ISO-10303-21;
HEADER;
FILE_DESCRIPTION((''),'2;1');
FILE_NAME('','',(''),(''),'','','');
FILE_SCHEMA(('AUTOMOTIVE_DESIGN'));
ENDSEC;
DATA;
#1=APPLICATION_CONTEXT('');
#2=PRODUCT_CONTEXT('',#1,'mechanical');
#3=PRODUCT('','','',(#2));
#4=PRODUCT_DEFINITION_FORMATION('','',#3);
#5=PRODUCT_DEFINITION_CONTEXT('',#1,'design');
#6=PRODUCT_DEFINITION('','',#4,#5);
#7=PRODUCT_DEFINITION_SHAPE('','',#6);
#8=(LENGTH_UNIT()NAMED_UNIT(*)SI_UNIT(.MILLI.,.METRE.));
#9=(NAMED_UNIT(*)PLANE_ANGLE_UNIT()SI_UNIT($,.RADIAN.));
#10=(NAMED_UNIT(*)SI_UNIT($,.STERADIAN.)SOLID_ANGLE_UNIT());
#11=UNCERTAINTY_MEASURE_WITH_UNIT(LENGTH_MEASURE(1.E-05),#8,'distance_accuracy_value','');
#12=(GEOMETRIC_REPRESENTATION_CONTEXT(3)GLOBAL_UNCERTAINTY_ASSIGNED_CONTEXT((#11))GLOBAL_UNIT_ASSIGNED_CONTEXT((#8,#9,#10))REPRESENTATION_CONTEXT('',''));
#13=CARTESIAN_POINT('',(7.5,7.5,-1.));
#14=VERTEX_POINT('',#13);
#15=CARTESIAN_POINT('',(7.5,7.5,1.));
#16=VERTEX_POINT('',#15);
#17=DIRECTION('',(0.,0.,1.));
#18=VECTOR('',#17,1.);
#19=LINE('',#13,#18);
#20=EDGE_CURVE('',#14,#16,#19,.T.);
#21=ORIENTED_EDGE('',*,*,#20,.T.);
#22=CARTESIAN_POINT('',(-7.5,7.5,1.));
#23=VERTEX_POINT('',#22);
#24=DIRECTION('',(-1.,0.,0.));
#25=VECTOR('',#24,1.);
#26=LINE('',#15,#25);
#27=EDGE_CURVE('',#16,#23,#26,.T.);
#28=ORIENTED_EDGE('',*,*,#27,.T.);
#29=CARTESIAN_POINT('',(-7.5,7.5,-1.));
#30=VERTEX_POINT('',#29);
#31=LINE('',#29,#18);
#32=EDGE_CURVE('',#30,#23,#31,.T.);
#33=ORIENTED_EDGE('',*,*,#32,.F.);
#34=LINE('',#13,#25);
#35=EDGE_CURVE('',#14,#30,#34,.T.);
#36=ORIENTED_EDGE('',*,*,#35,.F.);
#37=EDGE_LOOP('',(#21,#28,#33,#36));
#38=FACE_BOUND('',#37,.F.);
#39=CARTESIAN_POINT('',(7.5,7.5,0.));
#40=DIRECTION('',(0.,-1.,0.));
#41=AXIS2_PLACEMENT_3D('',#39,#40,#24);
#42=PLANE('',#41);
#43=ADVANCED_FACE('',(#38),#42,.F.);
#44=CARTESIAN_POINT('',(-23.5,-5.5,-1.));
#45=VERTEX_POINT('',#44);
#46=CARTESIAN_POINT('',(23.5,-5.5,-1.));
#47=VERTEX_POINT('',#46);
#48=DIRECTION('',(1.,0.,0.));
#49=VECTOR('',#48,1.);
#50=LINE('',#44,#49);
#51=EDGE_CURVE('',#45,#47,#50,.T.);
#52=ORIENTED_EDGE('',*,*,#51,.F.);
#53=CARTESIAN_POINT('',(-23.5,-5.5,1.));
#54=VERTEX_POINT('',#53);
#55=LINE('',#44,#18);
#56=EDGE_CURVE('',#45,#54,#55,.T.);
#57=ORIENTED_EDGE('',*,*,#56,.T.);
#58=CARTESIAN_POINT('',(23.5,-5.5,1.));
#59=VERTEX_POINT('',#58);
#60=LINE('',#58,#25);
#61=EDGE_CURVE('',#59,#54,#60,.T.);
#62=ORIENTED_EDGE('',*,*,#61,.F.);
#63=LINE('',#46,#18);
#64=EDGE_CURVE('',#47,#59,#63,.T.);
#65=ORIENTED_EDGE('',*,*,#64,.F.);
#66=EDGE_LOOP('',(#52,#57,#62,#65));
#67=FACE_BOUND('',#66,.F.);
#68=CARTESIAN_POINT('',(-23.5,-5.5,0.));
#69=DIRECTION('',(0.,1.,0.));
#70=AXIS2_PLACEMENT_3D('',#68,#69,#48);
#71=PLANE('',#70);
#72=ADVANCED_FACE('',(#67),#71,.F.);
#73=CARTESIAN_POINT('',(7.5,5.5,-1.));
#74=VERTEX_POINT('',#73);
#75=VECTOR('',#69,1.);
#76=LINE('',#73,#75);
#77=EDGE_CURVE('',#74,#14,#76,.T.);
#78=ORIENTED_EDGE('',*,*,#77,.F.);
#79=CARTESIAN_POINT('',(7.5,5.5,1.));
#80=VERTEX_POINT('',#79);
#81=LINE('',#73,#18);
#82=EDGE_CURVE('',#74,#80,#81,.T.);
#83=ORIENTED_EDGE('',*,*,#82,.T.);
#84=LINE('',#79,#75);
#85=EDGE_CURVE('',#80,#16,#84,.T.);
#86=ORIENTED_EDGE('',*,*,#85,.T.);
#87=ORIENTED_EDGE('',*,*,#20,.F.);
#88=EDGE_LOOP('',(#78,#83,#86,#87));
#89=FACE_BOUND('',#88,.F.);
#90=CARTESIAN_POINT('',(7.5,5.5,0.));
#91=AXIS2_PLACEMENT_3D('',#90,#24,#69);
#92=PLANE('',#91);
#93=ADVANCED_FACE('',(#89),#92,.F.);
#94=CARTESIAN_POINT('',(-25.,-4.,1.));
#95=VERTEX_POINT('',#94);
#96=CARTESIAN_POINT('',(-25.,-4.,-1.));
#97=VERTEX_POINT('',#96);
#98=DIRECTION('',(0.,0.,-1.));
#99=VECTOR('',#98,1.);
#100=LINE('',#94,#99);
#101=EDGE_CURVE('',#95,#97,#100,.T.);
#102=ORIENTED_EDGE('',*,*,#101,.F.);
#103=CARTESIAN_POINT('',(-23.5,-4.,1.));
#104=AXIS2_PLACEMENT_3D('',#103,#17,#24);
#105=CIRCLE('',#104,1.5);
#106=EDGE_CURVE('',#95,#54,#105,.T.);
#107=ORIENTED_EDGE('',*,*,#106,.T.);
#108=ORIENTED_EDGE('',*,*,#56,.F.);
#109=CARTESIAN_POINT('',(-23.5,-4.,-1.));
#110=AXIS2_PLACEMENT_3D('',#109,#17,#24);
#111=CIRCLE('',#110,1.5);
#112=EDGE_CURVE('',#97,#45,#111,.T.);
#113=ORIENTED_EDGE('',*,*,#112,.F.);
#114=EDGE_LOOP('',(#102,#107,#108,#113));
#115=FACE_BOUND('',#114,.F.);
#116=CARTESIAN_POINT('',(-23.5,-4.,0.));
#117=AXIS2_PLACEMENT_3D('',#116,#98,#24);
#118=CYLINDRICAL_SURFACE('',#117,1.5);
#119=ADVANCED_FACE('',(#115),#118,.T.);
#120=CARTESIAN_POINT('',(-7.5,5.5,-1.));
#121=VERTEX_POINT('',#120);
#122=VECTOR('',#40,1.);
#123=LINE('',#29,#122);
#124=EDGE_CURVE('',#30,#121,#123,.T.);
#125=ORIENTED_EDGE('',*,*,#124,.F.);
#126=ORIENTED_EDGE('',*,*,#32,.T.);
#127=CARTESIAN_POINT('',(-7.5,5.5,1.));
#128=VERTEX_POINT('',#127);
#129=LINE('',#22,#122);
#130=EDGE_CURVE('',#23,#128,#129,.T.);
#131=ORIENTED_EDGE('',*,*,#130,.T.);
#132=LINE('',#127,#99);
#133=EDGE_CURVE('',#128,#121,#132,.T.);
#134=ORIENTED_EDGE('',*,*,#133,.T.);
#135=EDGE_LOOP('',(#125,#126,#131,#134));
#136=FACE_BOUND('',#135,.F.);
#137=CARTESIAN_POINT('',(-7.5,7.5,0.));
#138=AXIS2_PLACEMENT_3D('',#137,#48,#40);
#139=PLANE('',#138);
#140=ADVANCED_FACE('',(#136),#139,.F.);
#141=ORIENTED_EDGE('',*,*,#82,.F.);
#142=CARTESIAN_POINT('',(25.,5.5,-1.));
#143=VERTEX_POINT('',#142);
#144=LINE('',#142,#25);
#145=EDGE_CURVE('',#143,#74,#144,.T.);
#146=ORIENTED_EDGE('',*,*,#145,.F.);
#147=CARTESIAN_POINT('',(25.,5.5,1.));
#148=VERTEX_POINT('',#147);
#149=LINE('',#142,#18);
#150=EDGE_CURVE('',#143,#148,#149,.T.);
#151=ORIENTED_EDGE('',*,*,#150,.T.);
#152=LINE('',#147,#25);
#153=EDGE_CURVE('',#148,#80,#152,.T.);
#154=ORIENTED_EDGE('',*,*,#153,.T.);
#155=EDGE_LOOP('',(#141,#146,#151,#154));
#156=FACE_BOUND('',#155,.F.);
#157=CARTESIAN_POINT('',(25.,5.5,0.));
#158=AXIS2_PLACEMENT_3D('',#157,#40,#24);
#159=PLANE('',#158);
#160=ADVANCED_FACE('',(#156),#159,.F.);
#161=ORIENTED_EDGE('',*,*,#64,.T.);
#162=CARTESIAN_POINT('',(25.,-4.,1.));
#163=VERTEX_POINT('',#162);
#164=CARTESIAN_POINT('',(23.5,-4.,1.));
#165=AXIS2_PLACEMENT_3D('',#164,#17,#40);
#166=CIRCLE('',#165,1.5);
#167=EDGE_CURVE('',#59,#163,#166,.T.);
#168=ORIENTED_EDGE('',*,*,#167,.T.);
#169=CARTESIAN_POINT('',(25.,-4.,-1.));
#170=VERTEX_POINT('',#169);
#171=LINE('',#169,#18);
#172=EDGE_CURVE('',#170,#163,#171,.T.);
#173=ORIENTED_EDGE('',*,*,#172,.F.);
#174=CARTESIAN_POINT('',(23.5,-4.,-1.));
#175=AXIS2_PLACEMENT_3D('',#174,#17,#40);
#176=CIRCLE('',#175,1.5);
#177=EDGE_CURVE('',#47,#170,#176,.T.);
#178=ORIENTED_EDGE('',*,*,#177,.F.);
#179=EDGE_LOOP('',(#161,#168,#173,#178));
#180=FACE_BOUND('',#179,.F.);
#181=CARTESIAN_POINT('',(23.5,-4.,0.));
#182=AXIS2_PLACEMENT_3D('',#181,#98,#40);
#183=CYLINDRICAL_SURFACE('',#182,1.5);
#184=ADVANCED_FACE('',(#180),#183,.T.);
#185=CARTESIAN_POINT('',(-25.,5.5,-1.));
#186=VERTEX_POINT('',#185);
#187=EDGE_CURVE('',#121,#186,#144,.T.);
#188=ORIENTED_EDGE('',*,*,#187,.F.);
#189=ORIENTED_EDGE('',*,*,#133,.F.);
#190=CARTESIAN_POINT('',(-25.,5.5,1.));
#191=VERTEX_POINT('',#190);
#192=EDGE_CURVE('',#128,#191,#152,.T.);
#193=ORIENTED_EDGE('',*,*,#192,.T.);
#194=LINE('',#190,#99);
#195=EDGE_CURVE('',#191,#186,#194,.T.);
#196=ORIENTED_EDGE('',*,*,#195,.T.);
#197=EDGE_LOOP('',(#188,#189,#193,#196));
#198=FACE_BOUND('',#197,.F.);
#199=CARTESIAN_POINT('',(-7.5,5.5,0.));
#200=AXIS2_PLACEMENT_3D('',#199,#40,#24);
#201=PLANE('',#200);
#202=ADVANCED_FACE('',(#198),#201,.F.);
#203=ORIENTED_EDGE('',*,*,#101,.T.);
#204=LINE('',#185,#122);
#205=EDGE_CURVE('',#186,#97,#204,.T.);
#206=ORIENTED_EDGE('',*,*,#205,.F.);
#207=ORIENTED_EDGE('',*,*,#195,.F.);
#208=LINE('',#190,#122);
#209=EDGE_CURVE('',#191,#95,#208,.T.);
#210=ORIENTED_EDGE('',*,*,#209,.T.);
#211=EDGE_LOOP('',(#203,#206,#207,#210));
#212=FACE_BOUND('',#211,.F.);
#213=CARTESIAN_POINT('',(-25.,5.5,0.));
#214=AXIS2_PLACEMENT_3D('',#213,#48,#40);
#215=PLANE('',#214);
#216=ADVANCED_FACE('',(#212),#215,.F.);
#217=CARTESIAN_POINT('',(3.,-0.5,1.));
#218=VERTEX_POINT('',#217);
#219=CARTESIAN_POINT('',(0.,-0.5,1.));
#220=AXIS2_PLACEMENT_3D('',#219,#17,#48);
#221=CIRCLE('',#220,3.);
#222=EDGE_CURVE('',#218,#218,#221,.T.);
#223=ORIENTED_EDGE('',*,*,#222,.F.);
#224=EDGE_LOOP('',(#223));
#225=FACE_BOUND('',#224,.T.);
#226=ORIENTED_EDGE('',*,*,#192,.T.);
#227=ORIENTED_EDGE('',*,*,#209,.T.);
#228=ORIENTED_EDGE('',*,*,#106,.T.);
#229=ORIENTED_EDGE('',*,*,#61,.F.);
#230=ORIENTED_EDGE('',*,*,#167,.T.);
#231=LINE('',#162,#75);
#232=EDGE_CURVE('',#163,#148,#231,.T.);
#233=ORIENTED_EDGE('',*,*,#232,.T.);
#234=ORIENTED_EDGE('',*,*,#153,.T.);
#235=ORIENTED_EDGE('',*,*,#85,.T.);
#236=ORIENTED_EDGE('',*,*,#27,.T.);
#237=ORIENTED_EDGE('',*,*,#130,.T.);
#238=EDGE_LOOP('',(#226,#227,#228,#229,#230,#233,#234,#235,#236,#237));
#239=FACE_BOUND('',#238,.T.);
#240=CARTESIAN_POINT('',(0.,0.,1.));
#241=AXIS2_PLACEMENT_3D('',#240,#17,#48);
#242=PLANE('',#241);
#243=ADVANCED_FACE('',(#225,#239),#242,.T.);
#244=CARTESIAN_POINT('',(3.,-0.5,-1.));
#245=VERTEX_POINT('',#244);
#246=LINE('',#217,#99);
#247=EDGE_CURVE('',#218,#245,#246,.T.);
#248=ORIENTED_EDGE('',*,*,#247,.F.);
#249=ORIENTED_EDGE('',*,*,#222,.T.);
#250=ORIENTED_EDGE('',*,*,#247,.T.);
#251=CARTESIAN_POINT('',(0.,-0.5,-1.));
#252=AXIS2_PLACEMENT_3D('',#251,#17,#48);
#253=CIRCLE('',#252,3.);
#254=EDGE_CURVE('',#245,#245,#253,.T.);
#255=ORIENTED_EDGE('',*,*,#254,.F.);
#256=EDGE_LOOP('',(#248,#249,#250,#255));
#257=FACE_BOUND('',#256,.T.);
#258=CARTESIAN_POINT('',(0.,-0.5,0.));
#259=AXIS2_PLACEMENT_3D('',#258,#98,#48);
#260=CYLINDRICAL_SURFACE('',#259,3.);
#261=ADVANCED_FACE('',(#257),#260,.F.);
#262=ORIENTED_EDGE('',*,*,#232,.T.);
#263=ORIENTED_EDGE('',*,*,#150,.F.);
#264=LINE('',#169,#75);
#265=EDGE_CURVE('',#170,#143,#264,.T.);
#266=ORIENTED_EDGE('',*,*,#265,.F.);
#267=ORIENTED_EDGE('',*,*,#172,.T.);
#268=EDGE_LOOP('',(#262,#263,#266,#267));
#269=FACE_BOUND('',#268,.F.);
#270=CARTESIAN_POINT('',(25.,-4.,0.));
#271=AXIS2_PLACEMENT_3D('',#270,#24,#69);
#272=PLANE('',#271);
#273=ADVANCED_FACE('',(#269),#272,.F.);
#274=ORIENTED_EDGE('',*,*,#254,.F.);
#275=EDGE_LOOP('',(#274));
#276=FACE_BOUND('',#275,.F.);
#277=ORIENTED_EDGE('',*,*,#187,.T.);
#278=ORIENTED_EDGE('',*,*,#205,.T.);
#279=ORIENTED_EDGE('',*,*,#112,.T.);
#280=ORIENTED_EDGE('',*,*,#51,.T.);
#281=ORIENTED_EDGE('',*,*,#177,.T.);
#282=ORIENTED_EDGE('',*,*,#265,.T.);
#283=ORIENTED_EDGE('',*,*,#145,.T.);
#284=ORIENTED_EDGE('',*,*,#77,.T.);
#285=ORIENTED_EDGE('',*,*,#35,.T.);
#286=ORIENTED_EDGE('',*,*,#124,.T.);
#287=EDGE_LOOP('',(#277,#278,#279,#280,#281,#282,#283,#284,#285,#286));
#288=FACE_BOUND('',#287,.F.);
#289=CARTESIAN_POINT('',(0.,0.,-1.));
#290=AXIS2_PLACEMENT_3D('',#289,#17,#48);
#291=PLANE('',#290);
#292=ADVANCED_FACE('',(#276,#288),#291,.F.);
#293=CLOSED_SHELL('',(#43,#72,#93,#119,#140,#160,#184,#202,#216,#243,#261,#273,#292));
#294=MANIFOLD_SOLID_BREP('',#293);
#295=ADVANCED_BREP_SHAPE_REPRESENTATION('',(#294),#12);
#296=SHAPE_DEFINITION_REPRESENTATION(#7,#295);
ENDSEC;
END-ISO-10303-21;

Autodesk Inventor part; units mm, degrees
ref_plane "YZ Plane" through (0, 0, 0) normal (1, 0, 0) x (0, 1, 0)
ref_plane "XZ Plane" through (0, 0, 0) normal (0, 1, 0) x (-1, 0, 0)
ref_plane "XY Plane" through (0, 0, 0) normal (0, 0, 1) x (1, 0, 0)
sketch "草圖1" plane through (0, 0, 0) normal (0, 0, 1) x (1, 0, 0)
  line L0 (0, 0) -> (-25.6572, 0) construction
  line L1 (0, 0) -> (0, 25.6407) construction
  line L2 (-23.5, -5.5) -> (-13.1185, -5.5)
  line L3 (25, -4) -> (25, 5.5)
  line L4 (25, 5.5) -> (-25, 5.5)
  line L5 (-25, 5.5) -> (-25, -4)
  line L6 (-25, -5.5) -> (25, 5.5) construction
  line L7 (25, -5.5) -> (-25, 5.5) construction
  arc A0 (23.5, -5.5) -> (25, -4) centre (23.5, -4) ccw
  arc A1 (-25, -4) -> (-23.5, -5.5) centre (-23.5, -4) ccw
  line L8 (-13.1185, -5.5) -> (23.5, -5.5)
  line L9 (7.5, 5.5) -> (7.5, 7.5)
  line L10 (7.5, 7.5) -> (-7.5, 7.5)
  line L11 (-7.5, 7.5) -> (-7.5, 5.5)
  circle A2 centre (0, -0.5) radius 3
  dimension "d0" = 50
  dimension "d4" = 1.5
  dimension "d13" = 2
  dimension "d14" = 15
  dimension "d15" = 6
  dimension "d16" = 6
  dimension "d17" = 5
extrude "擠出1" add sketch "草圖1" along normal mid plane 2
equation "\"d4\" = d5"
equation "\"折彎半徑\" = 厚度"
equation "\"折彎離隙寬度\" = 厚度"
equation "\"折彎離隙深度\" = 0.5 * 厚度"
equation "\"最小剩餘\" = 2 * 厚度"
equation "\"轉移半徑\" = 折彎半徑"
equation "\"Jacobi半徑大小\" = 折彎半徑"
equation "\"間隙大小\" = 厚度"
equation "\"d5\" = 1.5"
equation "\"厚度\" = 2.5"
properties part number "0 零件" material "不鏽鋼"
